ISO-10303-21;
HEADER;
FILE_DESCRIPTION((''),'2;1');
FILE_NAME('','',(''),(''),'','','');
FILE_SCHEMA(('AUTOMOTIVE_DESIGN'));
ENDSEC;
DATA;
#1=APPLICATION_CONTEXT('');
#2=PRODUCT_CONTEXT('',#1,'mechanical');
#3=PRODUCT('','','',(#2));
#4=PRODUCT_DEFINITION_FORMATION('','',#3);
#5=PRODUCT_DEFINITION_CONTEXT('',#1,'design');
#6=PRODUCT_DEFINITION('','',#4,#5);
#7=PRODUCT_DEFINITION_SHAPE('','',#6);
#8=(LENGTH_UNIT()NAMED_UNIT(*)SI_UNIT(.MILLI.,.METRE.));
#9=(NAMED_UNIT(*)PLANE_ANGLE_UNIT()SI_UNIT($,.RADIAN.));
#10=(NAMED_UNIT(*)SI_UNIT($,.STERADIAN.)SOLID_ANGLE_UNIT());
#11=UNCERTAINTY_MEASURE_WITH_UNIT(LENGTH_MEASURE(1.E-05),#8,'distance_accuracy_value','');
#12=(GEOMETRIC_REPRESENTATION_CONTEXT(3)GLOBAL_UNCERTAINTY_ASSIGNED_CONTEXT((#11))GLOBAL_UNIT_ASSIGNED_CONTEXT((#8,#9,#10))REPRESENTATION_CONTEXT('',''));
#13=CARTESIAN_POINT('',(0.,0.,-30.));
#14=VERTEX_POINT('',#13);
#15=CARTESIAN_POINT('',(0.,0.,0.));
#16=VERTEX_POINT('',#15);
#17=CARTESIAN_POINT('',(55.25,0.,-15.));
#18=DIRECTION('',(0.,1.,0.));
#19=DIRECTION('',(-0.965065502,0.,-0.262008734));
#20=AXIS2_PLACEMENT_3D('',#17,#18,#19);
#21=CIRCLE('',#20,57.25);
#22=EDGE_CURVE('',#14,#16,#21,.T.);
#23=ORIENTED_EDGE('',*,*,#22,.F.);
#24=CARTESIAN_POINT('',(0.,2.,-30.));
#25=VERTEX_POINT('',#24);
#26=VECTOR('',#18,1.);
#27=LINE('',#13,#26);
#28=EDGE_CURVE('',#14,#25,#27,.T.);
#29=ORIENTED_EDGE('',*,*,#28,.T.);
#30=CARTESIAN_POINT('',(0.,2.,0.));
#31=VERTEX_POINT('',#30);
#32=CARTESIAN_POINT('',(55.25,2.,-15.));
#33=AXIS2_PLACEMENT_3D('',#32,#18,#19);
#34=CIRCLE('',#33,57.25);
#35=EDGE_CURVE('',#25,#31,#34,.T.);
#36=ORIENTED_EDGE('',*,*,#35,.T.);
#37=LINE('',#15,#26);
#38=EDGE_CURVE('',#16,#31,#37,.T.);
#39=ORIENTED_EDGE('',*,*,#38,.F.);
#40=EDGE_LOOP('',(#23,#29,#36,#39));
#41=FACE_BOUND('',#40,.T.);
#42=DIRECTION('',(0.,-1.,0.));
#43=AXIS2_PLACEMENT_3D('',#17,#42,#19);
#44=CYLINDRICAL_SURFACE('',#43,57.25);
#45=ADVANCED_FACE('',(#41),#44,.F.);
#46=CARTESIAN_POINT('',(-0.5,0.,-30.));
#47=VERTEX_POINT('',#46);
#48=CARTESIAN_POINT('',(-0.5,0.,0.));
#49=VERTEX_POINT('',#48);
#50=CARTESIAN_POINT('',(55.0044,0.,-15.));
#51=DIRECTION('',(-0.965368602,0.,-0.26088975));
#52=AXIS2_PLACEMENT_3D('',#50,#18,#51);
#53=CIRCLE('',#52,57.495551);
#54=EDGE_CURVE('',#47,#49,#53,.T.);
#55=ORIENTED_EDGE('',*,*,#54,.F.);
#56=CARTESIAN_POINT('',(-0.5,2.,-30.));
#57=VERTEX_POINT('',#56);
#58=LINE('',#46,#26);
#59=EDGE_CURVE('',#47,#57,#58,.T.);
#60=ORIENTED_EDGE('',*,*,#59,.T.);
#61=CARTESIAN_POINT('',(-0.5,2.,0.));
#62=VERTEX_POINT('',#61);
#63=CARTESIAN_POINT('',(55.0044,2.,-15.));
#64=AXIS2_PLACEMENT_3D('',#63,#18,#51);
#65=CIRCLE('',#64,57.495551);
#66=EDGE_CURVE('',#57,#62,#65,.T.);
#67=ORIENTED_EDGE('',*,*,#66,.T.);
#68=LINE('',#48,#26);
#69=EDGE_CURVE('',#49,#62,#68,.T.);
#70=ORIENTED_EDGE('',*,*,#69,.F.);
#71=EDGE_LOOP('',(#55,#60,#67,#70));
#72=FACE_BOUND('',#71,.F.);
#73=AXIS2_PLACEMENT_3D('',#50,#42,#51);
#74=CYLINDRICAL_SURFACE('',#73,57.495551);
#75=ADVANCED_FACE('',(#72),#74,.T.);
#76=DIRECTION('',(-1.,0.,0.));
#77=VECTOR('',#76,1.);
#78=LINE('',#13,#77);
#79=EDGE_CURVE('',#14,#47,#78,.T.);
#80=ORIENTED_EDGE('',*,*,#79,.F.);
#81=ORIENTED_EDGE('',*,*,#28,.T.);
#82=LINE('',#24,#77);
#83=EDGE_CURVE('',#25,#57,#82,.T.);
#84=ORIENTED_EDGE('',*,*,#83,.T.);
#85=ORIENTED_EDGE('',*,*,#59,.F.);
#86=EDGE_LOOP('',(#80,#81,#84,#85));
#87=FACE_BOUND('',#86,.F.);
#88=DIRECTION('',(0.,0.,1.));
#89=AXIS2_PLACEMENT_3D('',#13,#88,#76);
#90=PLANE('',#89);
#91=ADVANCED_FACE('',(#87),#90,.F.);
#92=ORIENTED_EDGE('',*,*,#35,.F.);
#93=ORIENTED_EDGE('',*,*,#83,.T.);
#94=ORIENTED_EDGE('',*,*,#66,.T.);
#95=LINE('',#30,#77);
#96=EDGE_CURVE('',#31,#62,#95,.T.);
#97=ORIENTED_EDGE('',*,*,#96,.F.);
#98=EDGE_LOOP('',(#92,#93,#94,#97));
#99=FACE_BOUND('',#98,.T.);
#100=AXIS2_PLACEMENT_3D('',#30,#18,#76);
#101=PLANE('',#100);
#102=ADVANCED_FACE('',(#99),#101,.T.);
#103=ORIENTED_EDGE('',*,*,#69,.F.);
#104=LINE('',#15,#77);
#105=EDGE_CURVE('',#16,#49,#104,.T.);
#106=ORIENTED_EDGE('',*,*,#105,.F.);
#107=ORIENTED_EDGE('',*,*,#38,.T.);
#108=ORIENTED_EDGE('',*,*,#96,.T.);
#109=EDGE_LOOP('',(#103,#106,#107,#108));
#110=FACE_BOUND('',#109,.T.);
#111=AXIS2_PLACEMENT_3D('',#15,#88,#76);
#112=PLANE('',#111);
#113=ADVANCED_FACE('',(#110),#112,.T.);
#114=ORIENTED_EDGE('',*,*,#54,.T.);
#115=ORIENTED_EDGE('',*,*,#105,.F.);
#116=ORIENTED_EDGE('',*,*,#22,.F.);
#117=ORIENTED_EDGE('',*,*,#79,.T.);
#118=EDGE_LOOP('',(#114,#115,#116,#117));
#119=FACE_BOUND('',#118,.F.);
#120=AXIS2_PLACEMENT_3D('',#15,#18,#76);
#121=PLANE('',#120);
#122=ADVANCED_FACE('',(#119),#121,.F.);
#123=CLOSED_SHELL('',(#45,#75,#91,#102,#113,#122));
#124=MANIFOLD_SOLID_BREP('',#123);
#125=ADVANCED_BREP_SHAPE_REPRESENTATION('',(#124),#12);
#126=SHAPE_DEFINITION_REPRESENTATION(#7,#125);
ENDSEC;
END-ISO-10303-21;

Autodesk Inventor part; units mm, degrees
ref_plane "YZ Plane" through (0, 0, 0) normal (1, 0, 0) x (0, 1, 0)
ref_plane "XZ Plane" through (0, 0, 0) normal (0, 1, 0) x (-1, 0, 0)
ref_plane "XY Plane" through (0, 0, 0) normal (0, 0, 1) x (1, 0, 0)
sketch "Sketch1" plane through (0, 0, 0) normal (0, 1, 0) x (-1, 0, 0)
  arc A0 (0, -30) -> (0, 0) centre (-55.25, -15) ccw
  line L0 (0, 0) -> (0, -30) construction
  line L1 (0, -30) -> (2, -30) construction
  line L2 (2, -30) -> (2, 0) construction
  line L3 (2, 0) -> (0, 0) construction
  line L4 (0, 0) -> (0.5, 0)
  line L5 (0, -30) -> (0.5, -30)
  arc A1 (0.5, -30) -> (0.5, 0) centre (-55.0044, -15) ccw
  dimension "d0" = 30
  dimension "d1" = 2
  dimension "d4" = 0.5
  dimension "d5" = 0.5
extrude "Extrusion1" add sketch "Sketch1" along normal blind 2
properties part number "Support_strip"
